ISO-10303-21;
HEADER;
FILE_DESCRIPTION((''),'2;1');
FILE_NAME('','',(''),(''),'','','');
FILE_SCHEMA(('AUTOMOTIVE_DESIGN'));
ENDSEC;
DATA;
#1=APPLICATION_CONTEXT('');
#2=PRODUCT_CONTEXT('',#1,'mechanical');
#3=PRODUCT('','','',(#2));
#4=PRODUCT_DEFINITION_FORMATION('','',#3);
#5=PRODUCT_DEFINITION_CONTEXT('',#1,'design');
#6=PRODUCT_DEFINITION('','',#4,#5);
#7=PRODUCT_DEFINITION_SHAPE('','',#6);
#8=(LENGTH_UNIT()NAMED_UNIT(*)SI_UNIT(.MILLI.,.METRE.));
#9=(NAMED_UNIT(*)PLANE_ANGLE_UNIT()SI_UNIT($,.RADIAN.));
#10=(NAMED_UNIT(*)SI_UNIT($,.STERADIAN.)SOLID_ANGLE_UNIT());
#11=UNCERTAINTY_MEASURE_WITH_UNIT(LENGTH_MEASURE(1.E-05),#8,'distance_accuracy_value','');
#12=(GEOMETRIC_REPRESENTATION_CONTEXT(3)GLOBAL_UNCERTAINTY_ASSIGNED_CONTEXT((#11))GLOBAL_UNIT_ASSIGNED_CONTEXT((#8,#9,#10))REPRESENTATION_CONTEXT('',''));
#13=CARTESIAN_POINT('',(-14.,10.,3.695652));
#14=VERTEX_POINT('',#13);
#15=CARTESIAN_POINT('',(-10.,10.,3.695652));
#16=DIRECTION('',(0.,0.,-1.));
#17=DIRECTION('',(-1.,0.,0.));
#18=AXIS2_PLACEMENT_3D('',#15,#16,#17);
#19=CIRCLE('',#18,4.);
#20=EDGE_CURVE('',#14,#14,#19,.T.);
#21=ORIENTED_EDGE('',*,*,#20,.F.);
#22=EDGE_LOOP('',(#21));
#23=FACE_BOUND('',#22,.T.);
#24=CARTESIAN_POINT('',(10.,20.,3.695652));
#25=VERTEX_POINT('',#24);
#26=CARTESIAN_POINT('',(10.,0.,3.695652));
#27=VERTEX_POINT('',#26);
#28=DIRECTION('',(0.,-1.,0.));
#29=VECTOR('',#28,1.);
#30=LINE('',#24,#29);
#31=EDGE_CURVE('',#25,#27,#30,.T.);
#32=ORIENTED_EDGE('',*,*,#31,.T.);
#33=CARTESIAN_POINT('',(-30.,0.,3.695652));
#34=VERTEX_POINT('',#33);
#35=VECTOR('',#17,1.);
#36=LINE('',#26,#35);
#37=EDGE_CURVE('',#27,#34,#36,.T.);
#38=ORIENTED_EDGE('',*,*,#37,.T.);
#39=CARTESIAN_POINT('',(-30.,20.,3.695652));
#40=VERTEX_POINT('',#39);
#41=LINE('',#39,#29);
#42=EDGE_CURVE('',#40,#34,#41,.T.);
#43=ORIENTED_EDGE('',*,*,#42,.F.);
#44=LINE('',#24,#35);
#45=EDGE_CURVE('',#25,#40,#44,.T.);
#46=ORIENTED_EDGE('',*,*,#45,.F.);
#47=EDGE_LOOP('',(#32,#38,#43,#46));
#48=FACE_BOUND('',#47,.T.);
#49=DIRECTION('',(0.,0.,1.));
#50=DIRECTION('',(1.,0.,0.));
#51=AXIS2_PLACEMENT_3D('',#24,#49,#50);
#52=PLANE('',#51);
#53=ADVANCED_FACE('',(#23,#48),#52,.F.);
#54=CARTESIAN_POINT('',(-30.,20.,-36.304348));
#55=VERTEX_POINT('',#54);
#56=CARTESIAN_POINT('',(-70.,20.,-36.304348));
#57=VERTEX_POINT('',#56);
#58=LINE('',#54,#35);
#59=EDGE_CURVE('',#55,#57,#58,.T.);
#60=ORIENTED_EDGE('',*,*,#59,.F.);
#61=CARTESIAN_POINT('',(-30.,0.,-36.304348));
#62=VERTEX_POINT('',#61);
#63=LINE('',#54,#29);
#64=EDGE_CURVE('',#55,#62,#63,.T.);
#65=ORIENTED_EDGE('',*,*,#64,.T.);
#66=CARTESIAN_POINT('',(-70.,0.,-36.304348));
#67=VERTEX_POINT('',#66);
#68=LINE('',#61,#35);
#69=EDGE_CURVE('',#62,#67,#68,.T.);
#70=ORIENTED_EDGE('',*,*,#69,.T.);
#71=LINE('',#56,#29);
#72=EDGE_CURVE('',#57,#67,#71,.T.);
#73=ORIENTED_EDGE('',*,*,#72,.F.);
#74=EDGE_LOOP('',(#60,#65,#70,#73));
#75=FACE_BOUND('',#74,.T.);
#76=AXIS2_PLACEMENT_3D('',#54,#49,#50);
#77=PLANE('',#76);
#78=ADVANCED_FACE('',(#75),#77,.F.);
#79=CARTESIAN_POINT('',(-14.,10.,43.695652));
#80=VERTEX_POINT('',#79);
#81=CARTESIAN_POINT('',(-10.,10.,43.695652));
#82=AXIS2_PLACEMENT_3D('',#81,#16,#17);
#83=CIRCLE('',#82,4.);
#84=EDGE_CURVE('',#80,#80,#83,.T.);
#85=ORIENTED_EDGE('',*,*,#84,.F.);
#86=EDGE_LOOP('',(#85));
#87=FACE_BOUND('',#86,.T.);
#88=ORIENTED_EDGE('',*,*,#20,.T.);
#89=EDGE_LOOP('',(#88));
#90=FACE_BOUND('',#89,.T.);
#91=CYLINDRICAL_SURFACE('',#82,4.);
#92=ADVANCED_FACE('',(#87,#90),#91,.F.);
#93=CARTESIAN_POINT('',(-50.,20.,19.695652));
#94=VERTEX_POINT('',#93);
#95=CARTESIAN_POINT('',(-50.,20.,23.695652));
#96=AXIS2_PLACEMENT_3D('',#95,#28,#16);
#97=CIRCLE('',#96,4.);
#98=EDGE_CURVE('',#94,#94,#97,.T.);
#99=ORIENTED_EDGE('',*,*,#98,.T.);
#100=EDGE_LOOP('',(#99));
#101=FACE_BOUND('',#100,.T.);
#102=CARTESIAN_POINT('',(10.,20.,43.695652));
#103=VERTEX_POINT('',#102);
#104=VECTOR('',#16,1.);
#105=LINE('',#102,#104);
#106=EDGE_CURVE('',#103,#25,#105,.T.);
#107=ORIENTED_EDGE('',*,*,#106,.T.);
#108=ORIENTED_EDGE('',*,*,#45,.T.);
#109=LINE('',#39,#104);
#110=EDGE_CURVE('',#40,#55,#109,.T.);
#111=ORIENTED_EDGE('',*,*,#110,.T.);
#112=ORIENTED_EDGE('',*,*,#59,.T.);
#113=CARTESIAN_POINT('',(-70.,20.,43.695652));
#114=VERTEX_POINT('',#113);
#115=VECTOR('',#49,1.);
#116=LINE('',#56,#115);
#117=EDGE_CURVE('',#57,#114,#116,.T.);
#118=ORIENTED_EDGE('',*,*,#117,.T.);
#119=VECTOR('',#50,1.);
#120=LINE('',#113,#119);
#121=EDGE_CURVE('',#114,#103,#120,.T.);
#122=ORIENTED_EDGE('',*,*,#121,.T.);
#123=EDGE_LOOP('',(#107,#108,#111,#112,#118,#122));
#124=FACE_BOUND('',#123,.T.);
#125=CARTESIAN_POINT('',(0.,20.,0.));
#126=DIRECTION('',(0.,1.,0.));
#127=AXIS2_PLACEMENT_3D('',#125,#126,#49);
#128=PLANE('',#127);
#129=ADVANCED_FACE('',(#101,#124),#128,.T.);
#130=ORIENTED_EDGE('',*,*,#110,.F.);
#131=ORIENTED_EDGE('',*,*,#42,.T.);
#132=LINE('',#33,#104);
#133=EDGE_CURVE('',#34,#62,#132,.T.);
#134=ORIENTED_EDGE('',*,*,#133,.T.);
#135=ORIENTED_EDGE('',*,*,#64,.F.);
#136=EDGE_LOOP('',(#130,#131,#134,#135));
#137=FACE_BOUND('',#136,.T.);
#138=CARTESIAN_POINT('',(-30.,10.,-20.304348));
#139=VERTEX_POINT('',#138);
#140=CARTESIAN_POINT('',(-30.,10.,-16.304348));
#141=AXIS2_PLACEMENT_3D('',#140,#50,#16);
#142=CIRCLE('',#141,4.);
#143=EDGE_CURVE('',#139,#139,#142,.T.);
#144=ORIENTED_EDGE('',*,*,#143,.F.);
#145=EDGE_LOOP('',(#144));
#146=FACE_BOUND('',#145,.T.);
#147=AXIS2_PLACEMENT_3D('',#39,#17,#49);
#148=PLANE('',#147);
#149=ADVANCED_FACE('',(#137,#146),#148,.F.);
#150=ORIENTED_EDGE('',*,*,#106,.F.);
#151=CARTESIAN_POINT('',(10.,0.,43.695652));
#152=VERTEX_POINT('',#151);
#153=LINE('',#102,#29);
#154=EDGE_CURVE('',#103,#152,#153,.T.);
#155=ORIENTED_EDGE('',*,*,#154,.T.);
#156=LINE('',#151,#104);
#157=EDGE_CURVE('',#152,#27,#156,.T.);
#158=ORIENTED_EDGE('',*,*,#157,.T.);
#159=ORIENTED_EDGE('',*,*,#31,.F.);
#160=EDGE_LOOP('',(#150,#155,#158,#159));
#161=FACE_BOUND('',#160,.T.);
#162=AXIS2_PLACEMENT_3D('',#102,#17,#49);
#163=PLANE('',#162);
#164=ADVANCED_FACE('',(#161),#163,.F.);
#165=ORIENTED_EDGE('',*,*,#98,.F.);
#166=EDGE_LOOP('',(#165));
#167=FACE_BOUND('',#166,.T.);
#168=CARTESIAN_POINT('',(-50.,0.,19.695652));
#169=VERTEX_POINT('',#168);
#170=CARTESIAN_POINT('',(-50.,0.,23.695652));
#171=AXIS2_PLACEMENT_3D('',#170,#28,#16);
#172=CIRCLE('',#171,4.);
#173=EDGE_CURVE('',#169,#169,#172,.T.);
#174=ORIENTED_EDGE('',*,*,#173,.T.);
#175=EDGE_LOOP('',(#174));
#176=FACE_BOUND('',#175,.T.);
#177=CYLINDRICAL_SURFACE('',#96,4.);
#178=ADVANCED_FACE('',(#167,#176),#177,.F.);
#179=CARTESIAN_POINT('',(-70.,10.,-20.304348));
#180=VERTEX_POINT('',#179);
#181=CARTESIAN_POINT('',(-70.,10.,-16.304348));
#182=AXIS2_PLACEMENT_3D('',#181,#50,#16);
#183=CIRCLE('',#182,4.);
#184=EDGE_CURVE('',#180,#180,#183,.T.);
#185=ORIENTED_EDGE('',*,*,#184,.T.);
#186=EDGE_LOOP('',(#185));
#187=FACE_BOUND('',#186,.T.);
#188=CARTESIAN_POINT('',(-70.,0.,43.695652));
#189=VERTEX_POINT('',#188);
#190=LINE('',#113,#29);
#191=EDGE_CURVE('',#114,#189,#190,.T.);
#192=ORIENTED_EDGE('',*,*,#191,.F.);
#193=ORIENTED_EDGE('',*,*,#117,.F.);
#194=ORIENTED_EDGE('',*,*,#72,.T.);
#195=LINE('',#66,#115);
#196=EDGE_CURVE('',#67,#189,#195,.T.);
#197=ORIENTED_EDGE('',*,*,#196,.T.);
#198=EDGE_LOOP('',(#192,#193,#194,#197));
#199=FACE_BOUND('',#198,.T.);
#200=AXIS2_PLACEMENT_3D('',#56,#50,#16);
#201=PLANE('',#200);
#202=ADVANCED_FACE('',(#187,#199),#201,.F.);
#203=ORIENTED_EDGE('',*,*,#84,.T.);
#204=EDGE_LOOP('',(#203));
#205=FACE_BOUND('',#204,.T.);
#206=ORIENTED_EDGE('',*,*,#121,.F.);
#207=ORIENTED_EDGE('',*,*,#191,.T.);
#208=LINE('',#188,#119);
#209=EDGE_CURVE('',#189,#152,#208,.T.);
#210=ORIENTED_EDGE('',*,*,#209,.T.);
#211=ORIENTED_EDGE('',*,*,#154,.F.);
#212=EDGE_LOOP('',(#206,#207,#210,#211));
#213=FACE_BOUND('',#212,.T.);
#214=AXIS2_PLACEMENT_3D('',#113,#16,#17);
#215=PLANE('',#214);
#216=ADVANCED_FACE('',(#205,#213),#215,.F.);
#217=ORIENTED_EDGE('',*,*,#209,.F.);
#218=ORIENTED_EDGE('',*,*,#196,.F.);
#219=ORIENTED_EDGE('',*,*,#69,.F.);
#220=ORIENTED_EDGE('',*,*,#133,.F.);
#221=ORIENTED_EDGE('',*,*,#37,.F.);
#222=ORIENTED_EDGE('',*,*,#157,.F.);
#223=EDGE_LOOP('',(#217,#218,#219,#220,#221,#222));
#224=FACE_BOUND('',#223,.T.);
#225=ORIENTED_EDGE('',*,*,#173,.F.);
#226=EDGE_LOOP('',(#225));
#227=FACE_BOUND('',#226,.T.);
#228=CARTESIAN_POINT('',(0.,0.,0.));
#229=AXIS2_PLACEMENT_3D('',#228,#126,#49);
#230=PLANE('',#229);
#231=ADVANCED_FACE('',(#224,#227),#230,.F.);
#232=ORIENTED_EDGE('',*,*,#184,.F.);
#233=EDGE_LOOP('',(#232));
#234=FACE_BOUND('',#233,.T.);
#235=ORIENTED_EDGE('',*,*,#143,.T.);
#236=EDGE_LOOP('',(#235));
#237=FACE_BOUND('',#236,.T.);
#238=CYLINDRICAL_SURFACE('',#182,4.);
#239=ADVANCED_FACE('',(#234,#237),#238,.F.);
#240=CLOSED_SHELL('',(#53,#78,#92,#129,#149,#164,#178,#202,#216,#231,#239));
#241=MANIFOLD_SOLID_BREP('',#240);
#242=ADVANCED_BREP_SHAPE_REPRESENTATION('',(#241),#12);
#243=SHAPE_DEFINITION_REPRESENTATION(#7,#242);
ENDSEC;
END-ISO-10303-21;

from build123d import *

# Parameters (mm, degrees)
RESSALTO_EXTRUS_O1_DEPTH = 20
ESBO_O3_R                = 4
CORTE_EXTRUS_O1_DEPTH    = 63.524475359
ESBO_O4_R                = 4
CORTE_EXTRUS_O2_DEPTH    = 84.066238629
ESBO_O5_R                = 4
CORTE_EXTRUS_O3_DEPTH    = 85.907655832


with BuildPart() as part:
    # Esboço1 → Ressalto-extrusão1 (new body)
    with BuildSketch(Plane(origin=(0, 0, 0), x_dir=(1, 0, 0), z_dir=(0, 1, 0))):
        Polygon((-70, 36.304347826), (-70, -43.695652174), (10, -43.695652174), (10, -3.695652174), (-30, -3.695652174), (-30, 36.304347826), align=None)
    extrude(amount=RESSALTO_EXTRUS_O1_DEPTH)

    # Esboço3 → Corte-extrusão1 (cut, through all)
    with BuildSketch(Plane(origin=(-30, 0, 0), x_dir=(0, 0, -1), z_dir=(1, 0, 0))):
        with Locations((16.304347826, 10)):
            Circle(ESBO_O3_R)
    extrude(amount=-CORTE_EXTRUS_O1_DEPTH, mode=Mode.SUBTRACT)

    # Esboço4 → Corte-extrusão2 (cut, through all)
    with BuildSketch(Plane(origin=(0, 0, 3.695652174), x_dir=(-1, 0, 0), z_dir=(0, 0, -1))):
        with Locations((10, 10)):
            Circle(ESBO_O4_R)
    extrude(amount=-CORTE_EXTRUS_O2_DEPTH, mode=Mode.SUBTRACT)

    # Esboço5 → Corte-extrusão3 (cut, through all)
    with BuildSketch(Plane.XZ):
        with Locations(Location((-50, 23.695652174, 0), (0, 0, 270))):
            Circle(ESBO_O5_R)
    extrude(amount=-CORTE_EXTRUS_O3_DEPTH, mode=Mode.SUBTRACT)


solid = part.part
